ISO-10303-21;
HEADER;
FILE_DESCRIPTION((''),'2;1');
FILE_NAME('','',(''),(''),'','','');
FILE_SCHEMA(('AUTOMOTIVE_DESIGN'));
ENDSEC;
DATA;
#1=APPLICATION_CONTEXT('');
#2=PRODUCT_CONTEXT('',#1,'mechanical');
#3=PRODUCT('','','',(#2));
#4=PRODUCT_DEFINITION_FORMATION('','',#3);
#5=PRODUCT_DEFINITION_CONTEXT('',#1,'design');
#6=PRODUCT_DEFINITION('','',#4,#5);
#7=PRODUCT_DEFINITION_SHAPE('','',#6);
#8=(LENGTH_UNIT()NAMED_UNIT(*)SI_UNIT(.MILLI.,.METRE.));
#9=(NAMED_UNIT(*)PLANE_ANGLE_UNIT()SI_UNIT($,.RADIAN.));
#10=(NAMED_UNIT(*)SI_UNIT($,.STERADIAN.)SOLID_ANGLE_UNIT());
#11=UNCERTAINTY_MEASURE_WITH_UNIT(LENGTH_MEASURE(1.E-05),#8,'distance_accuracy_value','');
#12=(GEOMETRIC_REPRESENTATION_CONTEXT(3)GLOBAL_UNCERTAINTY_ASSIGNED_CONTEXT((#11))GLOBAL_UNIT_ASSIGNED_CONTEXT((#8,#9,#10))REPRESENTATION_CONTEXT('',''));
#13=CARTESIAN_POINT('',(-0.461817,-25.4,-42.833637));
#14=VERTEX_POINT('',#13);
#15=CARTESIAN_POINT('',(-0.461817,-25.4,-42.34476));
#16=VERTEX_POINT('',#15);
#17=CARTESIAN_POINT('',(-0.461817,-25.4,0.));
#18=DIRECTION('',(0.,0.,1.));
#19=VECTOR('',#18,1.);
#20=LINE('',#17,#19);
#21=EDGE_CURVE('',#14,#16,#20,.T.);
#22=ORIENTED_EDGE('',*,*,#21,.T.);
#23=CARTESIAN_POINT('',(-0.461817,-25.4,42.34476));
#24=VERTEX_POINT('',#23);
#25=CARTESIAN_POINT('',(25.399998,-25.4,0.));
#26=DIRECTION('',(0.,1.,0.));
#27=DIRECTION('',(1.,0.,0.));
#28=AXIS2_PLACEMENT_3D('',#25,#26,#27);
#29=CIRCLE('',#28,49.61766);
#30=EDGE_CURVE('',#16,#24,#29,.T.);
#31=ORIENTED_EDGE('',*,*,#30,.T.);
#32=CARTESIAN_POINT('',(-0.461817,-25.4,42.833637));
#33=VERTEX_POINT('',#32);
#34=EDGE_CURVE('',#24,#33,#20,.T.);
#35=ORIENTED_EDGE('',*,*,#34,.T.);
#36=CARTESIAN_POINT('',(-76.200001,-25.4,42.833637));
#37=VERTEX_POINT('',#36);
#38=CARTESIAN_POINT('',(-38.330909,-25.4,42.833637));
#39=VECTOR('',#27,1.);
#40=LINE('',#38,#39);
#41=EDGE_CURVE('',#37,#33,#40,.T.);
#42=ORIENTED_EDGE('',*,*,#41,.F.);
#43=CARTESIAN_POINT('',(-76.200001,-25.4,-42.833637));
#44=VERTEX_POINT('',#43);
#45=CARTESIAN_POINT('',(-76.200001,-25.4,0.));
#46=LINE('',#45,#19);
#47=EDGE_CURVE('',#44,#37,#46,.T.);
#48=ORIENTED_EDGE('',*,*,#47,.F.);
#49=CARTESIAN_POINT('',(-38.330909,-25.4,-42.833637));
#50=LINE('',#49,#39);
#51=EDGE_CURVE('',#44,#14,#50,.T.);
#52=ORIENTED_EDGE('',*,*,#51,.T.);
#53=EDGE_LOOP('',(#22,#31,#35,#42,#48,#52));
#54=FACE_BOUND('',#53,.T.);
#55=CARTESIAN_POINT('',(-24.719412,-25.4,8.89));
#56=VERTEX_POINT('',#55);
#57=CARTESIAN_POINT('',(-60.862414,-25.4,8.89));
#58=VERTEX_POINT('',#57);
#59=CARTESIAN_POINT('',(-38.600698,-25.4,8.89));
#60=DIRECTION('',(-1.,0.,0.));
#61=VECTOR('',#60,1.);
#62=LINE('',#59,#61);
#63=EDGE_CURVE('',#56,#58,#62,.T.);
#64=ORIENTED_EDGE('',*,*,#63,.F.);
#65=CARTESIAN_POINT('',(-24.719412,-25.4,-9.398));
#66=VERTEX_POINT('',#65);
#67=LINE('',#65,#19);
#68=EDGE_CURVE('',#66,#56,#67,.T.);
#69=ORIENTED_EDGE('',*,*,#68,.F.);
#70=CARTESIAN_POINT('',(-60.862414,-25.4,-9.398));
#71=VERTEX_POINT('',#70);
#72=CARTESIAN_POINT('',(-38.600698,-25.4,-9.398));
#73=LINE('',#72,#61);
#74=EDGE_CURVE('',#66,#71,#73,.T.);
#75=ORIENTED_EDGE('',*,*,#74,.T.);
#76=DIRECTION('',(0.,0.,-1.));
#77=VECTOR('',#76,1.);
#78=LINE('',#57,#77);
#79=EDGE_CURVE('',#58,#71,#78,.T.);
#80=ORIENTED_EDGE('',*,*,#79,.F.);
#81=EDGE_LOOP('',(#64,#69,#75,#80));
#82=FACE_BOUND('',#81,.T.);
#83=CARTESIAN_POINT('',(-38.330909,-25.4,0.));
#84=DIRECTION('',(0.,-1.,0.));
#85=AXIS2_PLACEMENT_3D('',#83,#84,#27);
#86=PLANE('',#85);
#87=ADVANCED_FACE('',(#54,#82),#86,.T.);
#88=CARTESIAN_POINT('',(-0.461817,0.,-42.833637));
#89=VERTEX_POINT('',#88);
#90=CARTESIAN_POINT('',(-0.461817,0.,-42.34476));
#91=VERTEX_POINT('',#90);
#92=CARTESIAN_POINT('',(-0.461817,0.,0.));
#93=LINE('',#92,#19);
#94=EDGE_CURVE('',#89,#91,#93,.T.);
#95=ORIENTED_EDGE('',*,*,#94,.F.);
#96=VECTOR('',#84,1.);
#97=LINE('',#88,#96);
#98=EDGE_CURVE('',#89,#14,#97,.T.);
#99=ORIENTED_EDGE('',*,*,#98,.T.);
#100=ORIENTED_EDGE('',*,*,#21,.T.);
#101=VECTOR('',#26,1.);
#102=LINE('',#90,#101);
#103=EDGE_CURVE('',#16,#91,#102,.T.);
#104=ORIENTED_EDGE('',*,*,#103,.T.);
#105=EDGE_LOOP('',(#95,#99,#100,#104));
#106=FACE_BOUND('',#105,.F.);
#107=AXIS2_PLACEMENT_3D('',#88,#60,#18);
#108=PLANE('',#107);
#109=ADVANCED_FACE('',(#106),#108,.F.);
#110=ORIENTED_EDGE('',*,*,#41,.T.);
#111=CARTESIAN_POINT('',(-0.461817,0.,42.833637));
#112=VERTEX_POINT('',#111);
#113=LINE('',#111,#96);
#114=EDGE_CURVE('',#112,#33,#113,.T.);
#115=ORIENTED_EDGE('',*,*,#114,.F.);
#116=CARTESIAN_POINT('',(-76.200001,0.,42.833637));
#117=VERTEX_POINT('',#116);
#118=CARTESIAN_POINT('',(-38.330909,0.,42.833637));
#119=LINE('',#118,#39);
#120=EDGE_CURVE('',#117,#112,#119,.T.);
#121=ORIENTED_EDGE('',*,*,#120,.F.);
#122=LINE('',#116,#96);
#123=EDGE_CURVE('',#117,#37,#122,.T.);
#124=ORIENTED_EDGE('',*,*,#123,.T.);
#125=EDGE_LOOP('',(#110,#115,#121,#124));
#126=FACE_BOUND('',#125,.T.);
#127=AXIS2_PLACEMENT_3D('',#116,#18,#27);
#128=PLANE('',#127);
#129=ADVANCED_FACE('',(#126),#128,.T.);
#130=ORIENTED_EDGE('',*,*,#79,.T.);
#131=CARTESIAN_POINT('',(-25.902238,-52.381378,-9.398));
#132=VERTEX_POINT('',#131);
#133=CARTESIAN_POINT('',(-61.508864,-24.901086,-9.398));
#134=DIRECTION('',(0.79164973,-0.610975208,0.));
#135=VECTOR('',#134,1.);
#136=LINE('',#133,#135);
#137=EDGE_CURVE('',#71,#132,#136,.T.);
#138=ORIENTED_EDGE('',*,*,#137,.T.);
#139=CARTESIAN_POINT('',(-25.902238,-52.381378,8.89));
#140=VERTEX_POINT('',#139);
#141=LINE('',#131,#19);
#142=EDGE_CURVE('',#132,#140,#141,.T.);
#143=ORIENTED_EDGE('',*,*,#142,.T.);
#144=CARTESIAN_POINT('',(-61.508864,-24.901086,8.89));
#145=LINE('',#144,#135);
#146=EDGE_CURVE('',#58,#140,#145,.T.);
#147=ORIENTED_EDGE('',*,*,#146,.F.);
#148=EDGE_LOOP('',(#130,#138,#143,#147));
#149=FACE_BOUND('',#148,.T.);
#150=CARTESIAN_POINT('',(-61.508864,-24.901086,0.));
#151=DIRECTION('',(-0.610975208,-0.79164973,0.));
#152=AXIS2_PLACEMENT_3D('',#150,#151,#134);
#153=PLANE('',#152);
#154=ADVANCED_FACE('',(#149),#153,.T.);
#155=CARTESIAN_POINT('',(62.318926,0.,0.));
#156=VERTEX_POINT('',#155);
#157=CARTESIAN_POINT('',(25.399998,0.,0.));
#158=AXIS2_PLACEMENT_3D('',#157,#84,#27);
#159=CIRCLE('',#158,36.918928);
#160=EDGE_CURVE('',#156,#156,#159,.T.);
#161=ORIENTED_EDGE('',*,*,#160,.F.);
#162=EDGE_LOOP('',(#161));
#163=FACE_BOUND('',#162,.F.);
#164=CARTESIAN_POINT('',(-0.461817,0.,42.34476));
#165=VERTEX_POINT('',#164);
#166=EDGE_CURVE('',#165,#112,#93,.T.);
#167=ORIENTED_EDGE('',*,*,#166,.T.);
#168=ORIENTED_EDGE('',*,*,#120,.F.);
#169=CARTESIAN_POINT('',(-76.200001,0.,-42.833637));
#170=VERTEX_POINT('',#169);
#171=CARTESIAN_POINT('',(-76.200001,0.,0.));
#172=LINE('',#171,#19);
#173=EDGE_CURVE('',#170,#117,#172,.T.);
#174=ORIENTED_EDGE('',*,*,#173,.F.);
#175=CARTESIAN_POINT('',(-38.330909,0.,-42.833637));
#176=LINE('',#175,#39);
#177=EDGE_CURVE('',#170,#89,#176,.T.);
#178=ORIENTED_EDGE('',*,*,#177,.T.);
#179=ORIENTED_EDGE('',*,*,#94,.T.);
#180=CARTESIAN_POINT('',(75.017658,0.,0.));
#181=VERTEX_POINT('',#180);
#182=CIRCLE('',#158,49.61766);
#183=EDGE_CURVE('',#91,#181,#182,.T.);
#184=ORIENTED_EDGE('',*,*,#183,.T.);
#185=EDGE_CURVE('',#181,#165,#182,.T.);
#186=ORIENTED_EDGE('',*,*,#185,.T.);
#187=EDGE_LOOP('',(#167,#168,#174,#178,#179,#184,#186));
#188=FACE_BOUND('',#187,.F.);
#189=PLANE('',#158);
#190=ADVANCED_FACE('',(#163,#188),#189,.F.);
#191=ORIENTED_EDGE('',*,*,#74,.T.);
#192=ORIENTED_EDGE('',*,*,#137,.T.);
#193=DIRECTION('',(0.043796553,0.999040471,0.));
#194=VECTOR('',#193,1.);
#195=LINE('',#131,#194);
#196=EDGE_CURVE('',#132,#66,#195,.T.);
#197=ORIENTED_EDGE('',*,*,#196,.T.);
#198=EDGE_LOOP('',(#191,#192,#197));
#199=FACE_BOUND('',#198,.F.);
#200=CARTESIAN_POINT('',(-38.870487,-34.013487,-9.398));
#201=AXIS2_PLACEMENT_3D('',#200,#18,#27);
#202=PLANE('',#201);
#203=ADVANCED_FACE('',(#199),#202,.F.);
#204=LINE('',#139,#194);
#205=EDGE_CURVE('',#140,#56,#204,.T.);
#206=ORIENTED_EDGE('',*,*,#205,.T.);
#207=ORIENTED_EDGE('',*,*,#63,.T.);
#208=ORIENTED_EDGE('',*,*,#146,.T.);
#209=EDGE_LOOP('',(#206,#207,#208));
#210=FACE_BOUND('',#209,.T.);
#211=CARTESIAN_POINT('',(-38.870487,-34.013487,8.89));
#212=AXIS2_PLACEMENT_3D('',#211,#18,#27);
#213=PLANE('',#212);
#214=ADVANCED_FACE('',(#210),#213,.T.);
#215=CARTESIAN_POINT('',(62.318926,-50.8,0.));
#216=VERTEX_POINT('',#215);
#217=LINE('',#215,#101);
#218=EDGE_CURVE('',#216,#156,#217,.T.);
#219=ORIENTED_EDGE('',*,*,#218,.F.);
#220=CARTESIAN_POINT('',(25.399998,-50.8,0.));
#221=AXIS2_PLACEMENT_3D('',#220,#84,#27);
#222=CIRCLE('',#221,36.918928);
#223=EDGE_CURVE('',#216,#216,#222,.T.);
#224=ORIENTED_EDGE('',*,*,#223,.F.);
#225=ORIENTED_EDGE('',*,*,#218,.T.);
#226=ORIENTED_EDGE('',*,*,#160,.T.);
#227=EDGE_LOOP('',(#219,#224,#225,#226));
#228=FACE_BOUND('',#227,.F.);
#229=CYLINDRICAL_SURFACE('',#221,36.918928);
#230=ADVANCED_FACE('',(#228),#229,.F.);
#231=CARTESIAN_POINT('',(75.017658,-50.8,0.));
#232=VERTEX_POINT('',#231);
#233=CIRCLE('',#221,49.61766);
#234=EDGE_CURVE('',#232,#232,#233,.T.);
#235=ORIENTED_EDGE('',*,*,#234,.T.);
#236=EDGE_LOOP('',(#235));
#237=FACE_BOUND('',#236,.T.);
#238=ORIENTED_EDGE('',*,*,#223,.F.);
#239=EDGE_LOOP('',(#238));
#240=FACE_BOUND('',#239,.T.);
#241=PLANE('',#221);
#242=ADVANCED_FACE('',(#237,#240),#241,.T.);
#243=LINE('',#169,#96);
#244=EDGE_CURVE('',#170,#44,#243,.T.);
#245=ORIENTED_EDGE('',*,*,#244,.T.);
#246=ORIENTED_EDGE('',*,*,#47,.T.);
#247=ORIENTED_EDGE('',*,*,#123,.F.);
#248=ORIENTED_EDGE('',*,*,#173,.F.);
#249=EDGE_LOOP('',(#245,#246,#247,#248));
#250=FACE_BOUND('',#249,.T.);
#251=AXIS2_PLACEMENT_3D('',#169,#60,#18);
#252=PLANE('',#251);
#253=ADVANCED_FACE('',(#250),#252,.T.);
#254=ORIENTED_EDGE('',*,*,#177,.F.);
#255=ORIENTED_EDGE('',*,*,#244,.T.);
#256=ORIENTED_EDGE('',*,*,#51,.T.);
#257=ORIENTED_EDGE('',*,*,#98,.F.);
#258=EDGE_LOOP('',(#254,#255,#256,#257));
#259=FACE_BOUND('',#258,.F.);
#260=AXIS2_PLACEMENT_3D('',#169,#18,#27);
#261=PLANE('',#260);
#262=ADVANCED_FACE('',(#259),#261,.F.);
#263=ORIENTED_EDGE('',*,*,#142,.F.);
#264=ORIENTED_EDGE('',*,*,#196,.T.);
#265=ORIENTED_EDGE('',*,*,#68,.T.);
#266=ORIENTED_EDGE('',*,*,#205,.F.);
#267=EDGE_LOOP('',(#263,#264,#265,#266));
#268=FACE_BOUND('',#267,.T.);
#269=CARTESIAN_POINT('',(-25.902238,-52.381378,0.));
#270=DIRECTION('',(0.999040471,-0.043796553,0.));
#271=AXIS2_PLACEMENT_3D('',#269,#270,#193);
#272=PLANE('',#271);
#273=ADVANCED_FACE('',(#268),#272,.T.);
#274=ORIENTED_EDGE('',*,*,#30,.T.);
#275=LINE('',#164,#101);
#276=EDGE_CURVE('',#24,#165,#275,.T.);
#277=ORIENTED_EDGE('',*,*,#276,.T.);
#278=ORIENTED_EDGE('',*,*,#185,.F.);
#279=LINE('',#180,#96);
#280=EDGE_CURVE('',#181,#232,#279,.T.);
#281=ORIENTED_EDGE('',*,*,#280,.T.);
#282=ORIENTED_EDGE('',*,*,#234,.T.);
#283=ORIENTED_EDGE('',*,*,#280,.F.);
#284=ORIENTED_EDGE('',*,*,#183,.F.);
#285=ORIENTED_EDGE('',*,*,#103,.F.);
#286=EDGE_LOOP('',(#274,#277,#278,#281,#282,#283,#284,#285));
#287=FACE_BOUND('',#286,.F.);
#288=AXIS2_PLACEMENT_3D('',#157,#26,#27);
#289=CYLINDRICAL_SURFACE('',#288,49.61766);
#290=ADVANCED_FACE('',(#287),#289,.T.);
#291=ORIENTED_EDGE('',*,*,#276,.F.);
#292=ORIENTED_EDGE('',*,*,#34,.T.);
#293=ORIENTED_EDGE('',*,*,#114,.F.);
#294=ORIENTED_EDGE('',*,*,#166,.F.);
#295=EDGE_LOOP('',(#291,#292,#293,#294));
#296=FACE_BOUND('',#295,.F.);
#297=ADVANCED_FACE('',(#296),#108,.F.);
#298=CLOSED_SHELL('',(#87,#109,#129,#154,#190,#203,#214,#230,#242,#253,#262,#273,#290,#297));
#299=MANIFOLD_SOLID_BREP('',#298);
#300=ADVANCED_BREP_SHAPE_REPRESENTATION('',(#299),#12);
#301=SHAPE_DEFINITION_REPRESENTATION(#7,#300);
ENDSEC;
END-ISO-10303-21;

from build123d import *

# Parameters (mm, degrees)
F0_W          = 75.738184
F0_H          = 85.667274
F2_DEPTH      = 25.4
F1_R          = 49.61766
F3_DEPTH      = 50.8
F4_R          = 36.918928
F5_DEPTH      = 50.801
F7_DEPTH      = 8.89
F7_DEPTH_BACK = 9.398


with BuildPart() as f2:
    # F0 (on Front) → F2 (new body)
    with BuildSketch(Plane.XZ):
        with Locations((-38.330909, 0)):
            Rectangle(F0_W, F0_H)
    extrude(amount=F2_DEPTH)

    # F1 (on Front) → F3 (join)
    with BuildSketch(Plane.XZ):
        with Locations((25.399998, 0)):
            Circle(F1_R)
    extrude(amount=F3_DEPTH)

    # F4 (on face) → F5 (cut, through all)
    with BuildSketch(Plane.XZ.offset(50.8)):
        with Locations((25.399998, 0)):
            Circle(F4_R)
    extrude(amount=-F5_DEPTH, mode=Mode.SUBTRACT)

    # F6 (on Top) → F7 (join, two sides)
    with BuildSketch(Plane.XY) as f7_sk:
        Polygon((-61.508864, -24.901086), (-25.902238, -52.381378), (-24.69754, -24.901086), align=None)
    extrude(amount=F7_DEPTH)
    extrude(f7_sk.sketch, amount=-F7_DEPTH_BACK)


solid = f2.part
